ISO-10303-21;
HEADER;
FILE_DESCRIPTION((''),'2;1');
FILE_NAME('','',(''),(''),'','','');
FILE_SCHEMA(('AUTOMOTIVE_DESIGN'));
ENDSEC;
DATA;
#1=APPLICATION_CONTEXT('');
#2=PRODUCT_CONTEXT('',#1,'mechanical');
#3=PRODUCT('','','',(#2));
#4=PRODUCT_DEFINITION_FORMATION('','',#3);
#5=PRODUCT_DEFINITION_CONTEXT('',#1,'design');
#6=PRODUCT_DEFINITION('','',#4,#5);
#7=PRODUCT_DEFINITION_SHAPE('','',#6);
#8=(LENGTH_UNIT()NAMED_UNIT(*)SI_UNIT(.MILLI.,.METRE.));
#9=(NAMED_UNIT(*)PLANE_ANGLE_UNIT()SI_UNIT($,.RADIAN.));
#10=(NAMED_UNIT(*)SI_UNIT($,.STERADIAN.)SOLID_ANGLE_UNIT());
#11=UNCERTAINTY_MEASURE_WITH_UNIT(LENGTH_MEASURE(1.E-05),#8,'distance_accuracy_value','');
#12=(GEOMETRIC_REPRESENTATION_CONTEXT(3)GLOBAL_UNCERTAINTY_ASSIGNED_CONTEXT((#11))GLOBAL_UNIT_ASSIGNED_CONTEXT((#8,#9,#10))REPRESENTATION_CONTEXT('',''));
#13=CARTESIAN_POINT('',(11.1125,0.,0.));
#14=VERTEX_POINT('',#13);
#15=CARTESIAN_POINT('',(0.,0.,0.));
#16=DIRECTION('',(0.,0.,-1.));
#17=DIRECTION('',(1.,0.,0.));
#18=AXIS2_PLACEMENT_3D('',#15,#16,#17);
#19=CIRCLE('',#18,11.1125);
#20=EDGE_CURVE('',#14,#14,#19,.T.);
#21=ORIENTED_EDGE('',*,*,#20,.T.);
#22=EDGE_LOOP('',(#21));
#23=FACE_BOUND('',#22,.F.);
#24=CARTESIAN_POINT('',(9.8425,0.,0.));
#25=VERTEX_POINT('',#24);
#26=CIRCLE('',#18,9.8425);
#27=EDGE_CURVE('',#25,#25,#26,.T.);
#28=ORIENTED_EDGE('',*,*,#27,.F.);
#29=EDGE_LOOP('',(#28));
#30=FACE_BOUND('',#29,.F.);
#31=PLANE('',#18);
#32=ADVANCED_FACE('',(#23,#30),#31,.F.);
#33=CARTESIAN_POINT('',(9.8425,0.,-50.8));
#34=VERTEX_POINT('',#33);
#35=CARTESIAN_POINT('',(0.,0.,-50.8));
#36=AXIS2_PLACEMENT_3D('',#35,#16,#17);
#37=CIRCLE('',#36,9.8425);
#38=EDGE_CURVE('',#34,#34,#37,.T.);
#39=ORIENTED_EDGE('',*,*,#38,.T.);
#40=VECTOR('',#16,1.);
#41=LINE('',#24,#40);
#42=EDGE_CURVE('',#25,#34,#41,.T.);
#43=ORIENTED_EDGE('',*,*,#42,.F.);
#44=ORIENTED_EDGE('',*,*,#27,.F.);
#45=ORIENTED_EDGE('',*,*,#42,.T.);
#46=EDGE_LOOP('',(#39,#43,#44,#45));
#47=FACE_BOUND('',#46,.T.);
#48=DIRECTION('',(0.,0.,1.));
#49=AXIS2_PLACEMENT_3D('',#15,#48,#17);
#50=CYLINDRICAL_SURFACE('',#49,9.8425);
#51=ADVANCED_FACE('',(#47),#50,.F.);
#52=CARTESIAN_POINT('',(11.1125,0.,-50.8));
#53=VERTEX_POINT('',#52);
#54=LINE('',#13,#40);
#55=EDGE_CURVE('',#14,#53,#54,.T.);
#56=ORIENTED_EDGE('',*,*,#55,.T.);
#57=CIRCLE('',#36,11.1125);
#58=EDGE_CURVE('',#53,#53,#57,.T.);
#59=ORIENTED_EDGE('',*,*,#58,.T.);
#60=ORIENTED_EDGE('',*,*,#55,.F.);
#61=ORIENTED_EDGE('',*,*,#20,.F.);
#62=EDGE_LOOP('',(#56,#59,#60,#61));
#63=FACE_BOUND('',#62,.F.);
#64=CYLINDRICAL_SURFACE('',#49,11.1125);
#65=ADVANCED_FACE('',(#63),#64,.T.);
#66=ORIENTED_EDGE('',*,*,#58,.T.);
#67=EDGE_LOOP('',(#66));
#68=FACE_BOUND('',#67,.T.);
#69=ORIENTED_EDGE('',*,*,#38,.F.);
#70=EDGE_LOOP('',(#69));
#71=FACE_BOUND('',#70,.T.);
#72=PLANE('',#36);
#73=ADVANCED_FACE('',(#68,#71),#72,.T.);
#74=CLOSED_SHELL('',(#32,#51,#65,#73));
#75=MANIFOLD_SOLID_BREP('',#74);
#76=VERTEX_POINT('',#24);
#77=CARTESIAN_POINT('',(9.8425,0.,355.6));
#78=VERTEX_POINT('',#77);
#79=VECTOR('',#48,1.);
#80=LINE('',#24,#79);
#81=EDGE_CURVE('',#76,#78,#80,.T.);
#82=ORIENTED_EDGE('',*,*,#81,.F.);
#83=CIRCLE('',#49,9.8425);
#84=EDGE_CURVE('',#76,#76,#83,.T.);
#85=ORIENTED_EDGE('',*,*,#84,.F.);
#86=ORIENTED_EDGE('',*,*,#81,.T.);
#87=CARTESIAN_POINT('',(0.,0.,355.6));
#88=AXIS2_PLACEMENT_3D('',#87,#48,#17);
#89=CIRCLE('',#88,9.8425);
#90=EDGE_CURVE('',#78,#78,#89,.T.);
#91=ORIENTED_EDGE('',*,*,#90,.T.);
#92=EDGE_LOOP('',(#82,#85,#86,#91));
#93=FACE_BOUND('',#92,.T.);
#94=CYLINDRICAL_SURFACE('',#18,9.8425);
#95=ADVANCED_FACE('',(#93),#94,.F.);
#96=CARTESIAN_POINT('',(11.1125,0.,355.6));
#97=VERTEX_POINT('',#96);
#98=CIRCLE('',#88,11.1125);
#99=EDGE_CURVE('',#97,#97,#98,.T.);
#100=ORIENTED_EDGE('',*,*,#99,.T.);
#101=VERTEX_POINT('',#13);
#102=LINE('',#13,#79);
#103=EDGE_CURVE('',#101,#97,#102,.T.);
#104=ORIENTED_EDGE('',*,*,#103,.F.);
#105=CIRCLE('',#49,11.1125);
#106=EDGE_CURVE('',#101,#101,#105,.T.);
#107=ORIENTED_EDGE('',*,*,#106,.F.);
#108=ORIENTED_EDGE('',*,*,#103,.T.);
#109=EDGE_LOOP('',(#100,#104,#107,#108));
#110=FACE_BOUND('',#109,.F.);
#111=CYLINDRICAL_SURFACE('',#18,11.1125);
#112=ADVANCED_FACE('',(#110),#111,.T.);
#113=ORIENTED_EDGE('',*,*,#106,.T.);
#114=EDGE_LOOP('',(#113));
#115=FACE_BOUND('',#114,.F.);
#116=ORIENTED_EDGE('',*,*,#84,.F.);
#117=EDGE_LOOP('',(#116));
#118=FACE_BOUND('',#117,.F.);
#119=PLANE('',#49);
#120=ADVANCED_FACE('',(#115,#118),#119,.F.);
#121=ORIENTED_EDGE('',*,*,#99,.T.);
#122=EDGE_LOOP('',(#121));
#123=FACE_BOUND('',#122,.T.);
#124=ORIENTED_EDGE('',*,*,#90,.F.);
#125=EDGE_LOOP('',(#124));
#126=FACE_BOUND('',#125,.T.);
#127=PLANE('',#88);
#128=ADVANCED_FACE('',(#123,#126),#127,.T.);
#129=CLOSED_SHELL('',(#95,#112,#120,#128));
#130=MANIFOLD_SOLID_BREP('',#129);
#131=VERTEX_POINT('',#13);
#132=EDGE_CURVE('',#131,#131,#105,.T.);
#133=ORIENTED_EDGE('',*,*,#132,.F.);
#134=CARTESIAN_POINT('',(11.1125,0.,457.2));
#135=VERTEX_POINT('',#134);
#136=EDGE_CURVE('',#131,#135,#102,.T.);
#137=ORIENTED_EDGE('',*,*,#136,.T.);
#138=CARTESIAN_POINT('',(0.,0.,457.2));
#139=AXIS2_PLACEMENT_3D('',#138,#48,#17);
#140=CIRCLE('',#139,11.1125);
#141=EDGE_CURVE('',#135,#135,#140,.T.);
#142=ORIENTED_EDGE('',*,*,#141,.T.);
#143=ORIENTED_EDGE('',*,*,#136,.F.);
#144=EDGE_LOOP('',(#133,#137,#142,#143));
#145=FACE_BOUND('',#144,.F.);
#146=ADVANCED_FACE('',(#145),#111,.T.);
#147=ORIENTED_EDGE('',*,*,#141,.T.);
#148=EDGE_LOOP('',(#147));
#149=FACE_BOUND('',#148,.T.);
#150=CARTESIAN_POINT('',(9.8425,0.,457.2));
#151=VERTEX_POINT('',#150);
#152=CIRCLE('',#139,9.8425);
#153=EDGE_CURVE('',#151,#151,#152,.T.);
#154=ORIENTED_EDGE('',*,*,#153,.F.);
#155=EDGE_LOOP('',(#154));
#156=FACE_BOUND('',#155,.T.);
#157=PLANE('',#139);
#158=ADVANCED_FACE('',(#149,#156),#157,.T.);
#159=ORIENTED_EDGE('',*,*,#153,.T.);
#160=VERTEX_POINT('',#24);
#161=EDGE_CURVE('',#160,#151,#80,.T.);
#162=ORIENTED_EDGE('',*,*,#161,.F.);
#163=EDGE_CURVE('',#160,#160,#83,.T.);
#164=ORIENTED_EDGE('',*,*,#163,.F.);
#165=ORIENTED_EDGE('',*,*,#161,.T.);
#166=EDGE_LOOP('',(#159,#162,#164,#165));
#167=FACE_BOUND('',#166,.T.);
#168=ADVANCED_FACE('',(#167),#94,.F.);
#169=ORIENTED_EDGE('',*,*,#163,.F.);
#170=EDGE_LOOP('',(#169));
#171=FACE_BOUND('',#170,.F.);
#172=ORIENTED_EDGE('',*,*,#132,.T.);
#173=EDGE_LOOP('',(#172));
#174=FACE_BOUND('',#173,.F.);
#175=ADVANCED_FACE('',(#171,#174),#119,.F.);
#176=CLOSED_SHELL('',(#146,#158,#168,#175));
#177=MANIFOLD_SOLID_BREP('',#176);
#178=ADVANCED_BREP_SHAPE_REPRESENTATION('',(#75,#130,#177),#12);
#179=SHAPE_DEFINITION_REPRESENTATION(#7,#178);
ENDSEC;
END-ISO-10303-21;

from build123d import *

# Parameters (mm, degrees)
F0_R        = 11.1125
F0_R_2      = 9.8425
F1_DEPTH    = 457.2
F1_FACE_R   = 11.1125
F1_FACE_R_2 = 9.8425
F2_DEPTH    = 50.8
F3_DEPTH    = 355.6


with BuildPart() as f1:
    # F0 (on Top) → F1 (new body)
    with BuildSketch(Plane.XY):
        Circle(F0_R)
        Circle(F0_R_2, mode=Mode.SUBTRACT)
    extrude(amount=F1_DEPTH)


with BuildPart() as f2:
    # F1_face (on face) → F2 (new body)
    with BuildSketch(Plane(origin=(0, 0, 0), x_dir=(1, 0, 0), z_dir=(0, 0, -1))):
        Circle(F1_FACE_R)
        Circle(F1_FACE_R_2, mode=Mode.SUBTRACT)
    extrude(amount=F2_DEPTH)


with BuildPart() as f3:
    # F0 (on Top) → F3 (new body)
    with BuildSketch(Plane.XY):
        Circle(F0_R)
        Circle(F0_R_2, mode=Mode.SUBTRACT)
    extrude(amount=F3_DEPTH)


solid = Compound([f1.part, f2.part, f3.part])
